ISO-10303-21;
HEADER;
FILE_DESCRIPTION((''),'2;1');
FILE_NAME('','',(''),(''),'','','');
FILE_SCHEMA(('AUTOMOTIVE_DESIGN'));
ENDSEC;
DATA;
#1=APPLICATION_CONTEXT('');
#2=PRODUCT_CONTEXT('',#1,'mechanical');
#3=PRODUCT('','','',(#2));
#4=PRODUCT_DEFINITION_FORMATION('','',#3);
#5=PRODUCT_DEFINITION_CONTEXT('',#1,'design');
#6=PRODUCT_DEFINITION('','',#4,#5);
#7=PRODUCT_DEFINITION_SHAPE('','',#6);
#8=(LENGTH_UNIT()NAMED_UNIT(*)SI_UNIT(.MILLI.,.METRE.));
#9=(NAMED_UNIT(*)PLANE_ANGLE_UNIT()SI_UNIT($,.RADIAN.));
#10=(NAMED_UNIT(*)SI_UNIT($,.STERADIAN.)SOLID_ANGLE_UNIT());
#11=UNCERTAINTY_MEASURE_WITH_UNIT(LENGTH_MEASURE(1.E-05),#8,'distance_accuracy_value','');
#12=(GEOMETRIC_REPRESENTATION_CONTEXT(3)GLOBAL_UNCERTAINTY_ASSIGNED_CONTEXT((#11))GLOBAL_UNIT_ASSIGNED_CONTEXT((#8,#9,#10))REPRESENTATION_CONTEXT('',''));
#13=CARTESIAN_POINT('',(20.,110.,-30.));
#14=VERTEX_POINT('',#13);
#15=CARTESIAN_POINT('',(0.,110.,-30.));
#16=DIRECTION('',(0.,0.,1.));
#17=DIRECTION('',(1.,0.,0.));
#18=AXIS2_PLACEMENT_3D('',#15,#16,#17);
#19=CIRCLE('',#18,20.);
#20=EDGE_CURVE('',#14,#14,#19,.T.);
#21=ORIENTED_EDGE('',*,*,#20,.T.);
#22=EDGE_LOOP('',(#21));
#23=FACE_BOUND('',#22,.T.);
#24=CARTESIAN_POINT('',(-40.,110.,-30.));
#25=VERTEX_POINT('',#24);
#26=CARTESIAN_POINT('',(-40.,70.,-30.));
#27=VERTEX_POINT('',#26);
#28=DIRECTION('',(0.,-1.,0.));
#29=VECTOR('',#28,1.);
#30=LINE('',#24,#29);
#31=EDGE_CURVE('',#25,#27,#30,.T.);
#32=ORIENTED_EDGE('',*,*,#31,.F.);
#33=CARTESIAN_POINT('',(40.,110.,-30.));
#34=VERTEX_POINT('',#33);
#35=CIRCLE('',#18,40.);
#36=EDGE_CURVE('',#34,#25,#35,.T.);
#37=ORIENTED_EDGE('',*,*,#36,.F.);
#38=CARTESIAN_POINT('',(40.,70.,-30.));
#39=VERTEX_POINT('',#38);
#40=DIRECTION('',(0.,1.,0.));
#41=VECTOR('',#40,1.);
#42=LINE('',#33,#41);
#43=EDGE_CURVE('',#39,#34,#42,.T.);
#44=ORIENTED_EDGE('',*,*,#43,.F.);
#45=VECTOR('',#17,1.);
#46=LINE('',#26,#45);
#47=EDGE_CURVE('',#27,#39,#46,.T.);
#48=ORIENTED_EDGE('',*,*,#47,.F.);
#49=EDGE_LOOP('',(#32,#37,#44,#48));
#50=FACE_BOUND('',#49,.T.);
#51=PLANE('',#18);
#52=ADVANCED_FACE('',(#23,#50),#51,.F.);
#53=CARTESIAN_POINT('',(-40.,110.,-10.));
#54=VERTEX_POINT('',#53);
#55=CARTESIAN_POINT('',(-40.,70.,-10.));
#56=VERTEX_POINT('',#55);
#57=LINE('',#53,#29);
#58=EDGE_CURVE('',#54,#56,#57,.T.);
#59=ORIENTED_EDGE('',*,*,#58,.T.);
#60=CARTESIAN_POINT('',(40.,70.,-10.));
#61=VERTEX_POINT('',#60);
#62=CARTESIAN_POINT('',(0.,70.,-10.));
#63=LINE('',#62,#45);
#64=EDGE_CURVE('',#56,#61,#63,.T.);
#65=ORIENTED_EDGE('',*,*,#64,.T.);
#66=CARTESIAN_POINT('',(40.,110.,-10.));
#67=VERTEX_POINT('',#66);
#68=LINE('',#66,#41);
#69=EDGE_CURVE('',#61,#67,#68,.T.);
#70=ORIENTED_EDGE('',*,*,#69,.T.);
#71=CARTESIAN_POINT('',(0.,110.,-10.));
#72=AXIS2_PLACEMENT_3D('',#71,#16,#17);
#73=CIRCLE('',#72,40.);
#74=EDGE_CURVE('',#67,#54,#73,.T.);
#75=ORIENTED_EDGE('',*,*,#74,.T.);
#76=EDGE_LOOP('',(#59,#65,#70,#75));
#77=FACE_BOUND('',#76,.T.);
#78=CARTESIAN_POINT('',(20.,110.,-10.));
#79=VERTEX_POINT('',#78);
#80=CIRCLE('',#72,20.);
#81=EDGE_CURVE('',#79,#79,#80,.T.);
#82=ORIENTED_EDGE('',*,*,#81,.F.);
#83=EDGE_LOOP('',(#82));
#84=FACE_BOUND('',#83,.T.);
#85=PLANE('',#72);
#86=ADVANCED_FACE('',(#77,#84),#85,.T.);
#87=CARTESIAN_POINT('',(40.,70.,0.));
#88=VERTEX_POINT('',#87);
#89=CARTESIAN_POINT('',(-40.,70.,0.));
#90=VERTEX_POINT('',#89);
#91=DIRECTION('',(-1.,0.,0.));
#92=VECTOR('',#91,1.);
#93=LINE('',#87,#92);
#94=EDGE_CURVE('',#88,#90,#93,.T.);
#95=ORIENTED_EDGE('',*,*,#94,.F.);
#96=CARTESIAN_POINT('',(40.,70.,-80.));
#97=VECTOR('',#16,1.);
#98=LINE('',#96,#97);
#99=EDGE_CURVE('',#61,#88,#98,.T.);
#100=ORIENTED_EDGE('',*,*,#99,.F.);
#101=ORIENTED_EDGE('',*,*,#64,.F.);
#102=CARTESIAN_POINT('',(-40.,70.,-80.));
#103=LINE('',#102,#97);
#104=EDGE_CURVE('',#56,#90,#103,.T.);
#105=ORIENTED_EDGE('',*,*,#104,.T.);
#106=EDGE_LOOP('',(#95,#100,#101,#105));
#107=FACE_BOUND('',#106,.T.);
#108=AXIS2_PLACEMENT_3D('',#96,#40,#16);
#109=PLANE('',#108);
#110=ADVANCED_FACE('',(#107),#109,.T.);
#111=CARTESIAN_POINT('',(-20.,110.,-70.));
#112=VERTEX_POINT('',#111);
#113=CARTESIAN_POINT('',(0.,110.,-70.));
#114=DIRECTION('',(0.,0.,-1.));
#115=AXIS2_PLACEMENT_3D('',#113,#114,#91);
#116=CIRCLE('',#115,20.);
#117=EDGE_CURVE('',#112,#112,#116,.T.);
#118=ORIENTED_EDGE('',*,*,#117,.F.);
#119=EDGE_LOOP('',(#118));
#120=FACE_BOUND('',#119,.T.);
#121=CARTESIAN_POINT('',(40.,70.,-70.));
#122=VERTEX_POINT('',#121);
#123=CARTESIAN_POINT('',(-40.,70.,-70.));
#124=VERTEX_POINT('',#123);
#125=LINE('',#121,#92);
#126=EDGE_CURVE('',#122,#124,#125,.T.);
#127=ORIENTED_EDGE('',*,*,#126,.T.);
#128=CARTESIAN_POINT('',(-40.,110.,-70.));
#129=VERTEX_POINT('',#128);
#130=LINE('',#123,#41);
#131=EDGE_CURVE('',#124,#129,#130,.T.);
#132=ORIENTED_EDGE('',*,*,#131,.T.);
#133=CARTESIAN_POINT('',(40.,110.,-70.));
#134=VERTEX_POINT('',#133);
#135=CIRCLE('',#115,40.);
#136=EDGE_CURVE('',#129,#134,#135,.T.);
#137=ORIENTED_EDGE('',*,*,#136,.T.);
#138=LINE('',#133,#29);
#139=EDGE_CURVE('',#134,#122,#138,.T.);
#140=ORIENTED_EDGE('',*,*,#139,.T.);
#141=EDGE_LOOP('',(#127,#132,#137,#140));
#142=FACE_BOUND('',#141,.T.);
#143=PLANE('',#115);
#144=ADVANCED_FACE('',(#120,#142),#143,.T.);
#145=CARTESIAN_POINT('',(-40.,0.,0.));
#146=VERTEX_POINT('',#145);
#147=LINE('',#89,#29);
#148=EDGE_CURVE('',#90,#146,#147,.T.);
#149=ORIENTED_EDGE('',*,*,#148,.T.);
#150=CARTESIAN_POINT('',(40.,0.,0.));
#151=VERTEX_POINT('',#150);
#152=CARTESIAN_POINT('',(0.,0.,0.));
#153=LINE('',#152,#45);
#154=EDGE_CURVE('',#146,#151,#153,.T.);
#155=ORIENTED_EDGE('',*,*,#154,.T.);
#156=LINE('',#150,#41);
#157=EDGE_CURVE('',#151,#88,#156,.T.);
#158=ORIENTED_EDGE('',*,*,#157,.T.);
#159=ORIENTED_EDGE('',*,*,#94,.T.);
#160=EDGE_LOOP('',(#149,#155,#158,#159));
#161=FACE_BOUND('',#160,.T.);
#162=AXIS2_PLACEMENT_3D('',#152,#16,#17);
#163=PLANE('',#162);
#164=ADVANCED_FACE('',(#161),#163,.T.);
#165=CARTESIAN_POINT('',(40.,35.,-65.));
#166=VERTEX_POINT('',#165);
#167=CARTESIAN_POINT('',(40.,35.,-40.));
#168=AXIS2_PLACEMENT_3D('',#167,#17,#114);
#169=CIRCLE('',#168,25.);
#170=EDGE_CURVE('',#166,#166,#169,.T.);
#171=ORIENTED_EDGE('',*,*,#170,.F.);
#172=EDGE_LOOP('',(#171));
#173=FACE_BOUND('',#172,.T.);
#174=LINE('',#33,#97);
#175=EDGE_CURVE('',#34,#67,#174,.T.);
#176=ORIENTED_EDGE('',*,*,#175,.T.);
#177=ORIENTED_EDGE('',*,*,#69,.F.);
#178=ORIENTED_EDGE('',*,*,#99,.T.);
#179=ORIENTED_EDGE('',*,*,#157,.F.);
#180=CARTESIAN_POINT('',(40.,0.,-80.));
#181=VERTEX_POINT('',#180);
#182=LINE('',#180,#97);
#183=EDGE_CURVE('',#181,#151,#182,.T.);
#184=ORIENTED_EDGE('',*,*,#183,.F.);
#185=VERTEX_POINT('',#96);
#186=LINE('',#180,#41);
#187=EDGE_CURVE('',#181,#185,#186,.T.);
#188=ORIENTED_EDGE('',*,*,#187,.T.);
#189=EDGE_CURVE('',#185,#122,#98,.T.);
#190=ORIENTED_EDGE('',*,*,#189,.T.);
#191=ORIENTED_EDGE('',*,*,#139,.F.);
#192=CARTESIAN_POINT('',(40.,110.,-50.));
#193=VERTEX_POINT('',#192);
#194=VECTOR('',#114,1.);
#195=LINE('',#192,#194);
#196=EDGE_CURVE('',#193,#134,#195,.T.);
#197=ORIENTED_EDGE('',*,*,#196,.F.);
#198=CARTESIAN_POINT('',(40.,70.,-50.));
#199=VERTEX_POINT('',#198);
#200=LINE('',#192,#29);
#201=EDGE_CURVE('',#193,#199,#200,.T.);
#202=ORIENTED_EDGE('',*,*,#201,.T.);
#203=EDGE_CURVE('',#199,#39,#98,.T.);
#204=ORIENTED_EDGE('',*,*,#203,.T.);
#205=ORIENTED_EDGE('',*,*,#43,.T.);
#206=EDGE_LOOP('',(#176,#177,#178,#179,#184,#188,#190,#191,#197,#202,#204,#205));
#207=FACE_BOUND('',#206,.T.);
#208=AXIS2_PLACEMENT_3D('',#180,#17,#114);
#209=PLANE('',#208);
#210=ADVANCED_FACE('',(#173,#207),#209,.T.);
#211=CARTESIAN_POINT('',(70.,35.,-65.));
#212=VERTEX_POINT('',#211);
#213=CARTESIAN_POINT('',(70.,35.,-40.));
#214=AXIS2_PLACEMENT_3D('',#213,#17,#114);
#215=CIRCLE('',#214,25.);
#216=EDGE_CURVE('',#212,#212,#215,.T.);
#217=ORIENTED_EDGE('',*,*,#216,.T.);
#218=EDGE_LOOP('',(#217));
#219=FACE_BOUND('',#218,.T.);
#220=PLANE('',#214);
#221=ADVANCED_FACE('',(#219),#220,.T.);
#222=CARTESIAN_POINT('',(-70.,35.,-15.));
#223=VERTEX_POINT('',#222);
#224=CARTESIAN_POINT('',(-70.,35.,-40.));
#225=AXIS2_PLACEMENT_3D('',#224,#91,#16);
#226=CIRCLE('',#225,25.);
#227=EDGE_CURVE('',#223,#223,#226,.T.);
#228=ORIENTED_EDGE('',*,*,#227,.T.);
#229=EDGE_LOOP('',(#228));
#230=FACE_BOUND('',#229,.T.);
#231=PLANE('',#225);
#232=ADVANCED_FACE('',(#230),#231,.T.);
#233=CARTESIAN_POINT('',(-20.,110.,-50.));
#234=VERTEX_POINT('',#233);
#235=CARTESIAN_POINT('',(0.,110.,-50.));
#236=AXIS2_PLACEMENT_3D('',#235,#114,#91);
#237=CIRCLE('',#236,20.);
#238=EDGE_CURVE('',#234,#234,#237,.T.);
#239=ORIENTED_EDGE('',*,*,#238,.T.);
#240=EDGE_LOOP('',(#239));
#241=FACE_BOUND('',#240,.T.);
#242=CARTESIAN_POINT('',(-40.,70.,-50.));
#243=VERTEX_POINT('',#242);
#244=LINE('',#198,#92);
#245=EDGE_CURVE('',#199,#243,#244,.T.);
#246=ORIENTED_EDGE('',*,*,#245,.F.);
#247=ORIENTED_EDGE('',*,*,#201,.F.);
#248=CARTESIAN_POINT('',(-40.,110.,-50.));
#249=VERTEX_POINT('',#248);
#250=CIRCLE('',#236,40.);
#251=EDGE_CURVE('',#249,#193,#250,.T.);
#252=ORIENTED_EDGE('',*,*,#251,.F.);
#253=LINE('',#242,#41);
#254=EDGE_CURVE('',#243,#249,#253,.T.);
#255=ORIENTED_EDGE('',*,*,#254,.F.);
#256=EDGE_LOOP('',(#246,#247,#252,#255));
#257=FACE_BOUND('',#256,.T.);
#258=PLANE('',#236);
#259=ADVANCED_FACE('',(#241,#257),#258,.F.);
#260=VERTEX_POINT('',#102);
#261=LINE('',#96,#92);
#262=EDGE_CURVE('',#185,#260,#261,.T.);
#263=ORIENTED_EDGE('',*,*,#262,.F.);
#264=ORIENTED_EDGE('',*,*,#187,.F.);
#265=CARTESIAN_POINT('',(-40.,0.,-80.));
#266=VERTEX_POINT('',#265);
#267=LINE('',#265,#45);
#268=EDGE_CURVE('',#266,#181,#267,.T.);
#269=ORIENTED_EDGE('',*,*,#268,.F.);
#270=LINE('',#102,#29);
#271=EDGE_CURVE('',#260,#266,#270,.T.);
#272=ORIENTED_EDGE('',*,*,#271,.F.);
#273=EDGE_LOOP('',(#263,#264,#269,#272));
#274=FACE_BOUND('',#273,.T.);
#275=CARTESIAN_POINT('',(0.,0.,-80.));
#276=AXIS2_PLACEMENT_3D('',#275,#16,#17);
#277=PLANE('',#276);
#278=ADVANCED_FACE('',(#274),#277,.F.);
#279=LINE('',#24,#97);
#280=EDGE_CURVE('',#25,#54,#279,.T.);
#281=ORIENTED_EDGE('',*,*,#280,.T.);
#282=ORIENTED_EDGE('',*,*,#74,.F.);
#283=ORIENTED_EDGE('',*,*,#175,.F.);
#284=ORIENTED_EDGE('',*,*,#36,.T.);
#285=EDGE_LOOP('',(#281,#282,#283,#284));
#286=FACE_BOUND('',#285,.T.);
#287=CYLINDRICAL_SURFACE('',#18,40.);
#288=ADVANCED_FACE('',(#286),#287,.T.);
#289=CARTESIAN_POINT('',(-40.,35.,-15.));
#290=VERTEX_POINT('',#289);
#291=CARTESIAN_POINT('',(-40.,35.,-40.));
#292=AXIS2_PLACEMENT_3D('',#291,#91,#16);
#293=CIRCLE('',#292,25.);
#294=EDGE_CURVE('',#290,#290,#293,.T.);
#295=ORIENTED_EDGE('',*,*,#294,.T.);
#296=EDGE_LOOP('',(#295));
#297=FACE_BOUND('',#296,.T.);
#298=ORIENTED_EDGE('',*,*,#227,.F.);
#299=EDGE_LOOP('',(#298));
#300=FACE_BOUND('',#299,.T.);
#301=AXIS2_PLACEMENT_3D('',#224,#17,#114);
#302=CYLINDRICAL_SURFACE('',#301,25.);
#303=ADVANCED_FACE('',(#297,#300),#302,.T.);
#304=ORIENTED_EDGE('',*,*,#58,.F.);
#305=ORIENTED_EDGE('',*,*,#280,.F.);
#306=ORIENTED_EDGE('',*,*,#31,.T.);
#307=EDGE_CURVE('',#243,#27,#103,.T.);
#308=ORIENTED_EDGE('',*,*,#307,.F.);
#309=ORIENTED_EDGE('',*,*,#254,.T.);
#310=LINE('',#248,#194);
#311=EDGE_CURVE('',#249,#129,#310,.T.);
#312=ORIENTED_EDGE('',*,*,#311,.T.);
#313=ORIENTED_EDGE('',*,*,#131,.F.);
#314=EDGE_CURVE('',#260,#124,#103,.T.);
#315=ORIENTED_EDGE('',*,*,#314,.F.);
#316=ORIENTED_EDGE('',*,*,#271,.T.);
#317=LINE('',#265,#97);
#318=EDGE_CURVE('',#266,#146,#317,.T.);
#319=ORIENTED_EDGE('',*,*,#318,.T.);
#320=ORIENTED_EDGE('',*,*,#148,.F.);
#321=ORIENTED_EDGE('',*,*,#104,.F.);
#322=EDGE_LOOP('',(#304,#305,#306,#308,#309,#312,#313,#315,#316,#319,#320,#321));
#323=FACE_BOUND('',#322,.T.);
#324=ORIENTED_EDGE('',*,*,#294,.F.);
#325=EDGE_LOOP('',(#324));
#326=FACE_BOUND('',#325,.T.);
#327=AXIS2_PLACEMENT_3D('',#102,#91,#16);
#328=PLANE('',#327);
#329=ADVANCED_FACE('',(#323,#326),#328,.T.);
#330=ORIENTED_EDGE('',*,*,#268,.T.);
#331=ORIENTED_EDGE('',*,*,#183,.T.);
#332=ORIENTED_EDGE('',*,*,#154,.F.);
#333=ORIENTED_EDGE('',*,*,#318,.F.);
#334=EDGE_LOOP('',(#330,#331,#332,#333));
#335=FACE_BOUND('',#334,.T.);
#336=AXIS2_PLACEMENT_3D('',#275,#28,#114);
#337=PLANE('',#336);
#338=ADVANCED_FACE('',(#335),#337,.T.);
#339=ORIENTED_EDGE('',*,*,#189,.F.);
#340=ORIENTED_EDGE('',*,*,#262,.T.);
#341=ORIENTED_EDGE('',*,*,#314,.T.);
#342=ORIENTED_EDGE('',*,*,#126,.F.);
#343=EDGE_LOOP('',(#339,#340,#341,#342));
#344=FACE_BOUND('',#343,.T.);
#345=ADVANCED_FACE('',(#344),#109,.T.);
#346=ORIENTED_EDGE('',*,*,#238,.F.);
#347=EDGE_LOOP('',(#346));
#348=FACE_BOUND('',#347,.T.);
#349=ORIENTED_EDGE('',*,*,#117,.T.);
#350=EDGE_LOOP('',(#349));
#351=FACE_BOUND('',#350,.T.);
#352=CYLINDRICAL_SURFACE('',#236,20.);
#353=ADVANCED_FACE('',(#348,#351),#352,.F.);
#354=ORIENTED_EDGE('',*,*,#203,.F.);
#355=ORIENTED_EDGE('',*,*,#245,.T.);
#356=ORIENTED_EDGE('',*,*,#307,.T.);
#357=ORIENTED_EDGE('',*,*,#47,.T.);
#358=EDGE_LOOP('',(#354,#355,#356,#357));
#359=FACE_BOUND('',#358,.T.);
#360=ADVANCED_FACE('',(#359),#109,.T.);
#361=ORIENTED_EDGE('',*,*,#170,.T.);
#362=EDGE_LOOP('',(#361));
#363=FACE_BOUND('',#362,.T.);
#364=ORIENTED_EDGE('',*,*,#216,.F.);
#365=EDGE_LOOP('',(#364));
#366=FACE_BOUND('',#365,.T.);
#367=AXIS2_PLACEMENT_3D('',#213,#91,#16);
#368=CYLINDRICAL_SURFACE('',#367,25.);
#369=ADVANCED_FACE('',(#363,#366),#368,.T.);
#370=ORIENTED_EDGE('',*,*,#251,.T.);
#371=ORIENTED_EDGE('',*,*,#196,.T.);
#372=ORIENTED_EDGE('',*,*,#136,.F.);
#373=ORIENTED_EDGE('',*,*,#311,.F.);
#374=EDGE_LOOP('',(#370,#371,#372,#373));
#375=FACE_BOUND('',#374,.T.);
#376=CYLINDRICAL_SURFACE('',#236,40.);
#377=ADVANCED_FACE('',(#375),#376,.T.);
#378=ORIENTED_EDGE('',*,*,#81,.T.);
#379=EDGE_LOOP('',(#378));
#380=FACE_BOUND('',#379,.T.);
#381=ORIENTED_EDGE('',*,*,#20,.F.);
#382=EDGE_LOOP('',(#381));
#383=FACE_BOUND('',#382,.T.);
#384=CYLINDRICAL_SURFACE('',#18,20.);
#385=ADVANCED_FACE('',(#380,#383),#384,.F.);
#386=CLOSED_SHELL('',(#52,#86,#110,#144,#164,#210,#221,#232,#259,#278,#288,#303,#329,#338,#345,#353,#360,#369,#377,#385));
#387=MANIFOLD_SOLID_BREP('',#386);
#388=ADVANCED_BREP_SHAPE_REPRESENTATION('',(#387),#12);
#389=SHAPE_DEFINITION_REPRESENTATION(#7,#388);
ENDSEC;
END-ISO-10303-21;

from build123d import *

# Parameters (mm, degrees)
SALIENTE_EXTRUIR1_DEPTH = 80
CROQUIS2_R              = 25
SALIENTE_EXTRUIR2_DEPTH = 30
SALIENTE_EXTRUIR3_START = 30
CROQUIS3_R              = 25
SALIENTE_EXTRUIR3_DEPTH = 30
CROQUIS4_R              = 20
SALIENTE_EXTRUIR5_DEPTH = 20
SALIENTE_EXTRUIR6_START = -20
CROQUIS5_R              = 20
SALIENTE_EXTRUIR6_DEPTH = 20


with BuildPart() as part:
    # Croquis1 → Saliente-Extruir1 (new body)
    with BuildSketch(Plane.XY):
        Polygon((0, 0), (40, 0), (40, 70), (-40, 70), (-40, 0), align=None)
    extrude(amount=-SALIENTE_EXTRUIR1_DEPTH)

    # Croquis2 → Saliente-Extruir2 (add)
    with BuildSketch(Plane(origin=(40, 0, 0), x_dir=(0, 0, -1), z_dir=(1, 0, 0))):
        with Locations((40, 35)):
            Circle(CROQUIS2_R)
    extrude(amount=SALIENTE_EXTRUIR2_DEPTH)

    # Croquis3 → Saliente-Extruir3 (add)
    with BuildSketch(Plane.ZY.offset(40).offset(SALIENTE_EXTRUIR3_START)):
        with Locations(Location((-40, 35, 0), (0, 0, 180))):
            Circle(CROQUIS3_R)
    extrude(amount=-SALIENTE_EXTRUIR3_DEPTH)

    # Croquis4 → Saliente-Extruir5 (add)
    with BuildSketch(Plane.XY.offset(-10)):
        with BuildLine():
            Line((-40, 110), (-40, 70))
            Line((-40, 70), (0, 70))
            Line((0, 70), (40, 70))
            Line((40, 70), (40, 110))
            ThreePointArc((40, 110), (0, 150), (-40, 110))
        make_face()
        with Locations((0, 110)):
            Circle(CROQUIS4_R, mode=Mode.SUBTRACT)
    extrude(amount=-SALIENTE_EXTRUIR5_DEPTH)

    # Croquis5 → Saliente-Extruir6 (add)
    with BuildSketch(Plane(origin=(0, 0, -70), x_dir=(-1, 0, 0), z_dir=(0, 0, -1)).offset(SALIENTE_EXTRUIR6_START)):
        with BuildLine():
            Line((-40, 110), (-40, 70))
            Line((-40, 70), (40, 70))
            Line((40, 70), (40, 110))
            ThreePointArc((40, 110), (0, 150), (-40, 110))
        make_face()
        with Locations(Location((0, 110, 0), (0, 0, 180))):
            Circle(CROQUIS5_R, mode=Mode.SUBTRACT)
    extrude(amount=SALIENTE_EXTRUIR6_DEPTH)


solid = part.part
